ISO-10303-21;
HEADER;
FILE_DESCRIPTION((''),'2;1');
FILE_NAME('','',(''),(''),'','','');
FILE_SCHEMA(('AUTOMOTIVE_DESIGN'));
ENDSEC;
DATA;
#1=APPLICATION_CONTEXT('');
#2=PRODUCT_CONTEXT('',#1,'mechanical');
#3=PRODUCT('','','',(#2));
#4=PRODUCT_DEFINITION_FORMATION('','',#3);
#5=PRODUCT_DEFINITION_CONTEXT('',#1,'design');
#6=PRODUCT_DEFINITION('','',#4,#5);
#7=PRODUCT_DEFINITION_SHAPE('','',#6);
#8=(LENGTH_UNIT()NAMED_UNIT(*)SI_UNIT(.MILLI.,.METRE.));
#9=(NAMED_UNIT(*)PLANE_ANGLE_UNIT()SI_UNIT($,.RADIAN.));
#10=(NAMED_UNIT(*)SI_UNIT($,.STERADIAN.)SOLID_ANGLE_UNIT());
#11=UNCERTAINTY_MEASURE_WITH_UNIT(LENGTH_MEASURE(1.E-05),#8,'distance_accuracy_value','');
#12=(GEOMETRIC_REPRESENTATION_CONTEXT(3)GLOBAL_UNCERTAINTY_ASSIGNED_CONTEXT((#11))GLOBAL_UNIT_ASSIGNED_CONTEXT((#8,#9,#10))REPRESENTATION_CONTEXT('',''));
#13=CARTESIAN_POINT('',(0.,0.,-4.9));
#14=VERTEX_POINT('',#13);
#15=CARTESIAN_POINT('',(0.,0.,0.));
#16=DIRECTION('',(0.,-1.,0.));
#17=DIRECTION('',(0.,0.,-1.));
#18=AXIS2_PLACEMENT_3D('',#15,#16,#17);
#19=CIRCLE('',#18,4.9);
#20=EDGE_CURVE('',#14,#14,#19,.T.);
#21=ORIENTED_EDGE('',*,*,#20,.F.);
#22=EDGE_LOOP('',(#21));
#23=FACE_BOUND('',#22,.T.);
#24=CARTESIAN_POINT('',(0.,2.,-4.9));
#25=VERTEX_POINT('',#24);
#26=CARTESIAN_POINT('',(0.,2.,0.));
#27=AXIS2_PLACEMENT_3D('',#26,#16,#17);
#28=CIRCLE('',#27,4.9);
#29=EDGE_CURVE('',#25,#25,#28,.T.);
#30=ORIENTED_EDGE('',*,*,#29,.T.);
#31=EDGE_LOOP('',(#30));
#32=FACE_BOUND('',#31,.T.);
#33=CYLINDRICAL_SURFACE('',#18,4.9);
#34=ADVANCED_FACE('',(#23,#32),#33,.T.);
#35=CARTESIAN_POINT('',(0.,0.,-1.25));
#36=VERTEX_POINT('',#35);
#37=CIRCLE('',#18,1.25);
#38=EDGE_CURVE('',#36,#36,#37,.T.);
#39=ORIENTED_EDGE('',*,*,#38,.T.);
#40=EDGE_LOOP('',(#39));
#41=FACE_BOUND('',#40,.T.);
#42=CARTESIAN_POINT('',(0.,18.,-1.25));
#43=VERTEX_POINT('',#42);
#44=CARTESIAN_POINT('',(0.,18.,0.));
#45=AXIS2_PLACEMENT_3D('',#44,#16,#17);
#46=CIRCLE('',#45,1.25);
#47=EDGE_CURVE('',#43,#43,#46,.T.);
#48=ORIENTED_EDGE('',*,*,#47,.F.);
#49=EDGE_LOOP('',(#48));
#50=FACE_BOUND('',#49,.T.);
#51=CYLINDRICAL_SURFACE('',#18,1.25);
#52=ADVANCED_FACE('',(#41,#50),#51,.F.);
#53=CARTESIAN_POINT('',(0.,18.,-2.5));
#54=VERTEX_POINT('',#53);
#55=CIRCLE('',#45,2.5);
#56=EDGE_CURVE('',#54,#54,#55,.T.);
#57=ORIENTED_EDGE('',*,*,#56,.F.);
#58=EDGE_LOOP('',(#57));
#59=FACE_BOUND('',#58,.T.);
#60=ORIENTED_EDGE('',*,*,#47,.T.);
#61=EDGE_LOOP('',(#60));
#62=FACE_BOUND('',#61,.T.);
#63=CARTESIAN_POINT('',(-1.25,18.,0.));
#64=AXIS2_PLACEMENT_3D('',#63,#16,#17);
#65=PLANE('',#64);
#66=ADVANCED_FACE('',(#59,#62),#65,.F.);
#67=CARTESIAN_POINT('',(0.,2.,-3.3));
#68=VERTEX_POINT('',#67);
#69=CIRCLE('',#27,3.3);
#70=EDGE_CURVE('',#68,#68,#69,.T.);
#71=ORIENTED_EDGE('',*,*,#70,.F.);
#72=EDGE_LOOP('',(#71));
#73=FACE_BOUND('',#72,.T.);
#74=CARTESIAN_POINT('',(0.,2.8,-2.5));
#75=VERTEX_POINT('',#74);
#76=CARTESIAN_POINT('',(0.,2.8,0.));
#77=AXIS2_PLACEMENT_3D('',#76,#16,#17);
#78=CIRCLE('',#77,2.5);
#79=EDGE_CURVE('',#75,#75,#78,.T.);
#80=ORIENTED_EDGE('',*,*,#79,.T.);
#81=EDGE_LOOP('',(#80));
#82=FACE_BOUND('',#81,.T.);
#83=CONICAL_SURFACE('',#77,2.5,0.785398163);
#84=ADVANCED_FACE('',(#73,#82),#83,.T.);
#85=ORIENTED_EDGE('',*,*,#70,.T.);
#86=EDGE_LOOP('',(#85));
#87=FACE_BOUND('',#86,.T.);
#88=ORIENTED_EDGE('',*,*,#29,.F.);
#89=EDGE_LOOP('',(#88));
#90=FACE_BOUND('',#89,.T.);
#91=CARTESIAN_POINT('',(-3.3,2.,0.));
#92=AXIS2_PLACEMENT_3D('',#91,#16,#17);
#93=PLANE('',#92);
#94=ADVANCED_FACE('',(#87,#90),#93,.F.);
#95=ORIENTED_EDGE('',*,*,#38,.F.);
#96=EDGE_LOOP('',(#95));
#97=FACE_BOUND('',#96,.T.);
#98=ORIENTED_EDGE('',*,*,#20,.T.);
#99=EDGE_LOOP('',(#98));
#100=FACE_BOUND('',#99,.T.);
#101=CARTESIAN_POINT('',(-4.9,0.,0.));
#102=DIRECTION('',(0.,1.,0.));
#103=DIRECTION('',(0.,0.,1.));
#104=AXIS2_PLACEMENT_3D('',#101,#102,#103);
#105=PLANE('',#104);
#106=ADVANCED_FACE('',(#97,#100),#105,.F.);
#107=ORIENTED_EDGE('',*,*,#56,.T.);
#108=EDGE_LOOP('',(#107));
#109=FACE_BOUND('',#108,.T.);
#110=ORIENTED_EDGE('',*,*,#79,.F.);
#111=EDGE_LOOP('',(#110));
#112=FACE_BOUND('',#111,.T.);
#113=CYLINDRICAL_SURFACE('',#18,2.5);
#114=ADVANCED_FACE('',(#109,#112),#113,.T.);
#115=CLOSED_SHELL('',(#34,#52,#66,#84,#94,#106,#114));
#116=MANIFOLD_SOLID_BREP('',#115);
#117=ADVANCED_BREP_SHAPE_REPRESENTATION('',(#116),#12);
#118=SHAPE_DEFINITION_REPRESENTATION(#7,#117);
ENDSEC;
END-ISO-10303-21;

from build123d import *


with BuildPart() as part:
    # Sketch1 → Revolve1 (revolve)
    with BuildSketch(Plane.XY):
        Polygon((-1.25, 0), (-1.25, 18), (-2.5, 18), (-2.5, 2.8), (-3.3, 2), (-4.9, 2), (-4.9, 0), align=None)
    revolve(axis=Axis((0, 0, 0), (0, 1, 0)))


solid = part.part
